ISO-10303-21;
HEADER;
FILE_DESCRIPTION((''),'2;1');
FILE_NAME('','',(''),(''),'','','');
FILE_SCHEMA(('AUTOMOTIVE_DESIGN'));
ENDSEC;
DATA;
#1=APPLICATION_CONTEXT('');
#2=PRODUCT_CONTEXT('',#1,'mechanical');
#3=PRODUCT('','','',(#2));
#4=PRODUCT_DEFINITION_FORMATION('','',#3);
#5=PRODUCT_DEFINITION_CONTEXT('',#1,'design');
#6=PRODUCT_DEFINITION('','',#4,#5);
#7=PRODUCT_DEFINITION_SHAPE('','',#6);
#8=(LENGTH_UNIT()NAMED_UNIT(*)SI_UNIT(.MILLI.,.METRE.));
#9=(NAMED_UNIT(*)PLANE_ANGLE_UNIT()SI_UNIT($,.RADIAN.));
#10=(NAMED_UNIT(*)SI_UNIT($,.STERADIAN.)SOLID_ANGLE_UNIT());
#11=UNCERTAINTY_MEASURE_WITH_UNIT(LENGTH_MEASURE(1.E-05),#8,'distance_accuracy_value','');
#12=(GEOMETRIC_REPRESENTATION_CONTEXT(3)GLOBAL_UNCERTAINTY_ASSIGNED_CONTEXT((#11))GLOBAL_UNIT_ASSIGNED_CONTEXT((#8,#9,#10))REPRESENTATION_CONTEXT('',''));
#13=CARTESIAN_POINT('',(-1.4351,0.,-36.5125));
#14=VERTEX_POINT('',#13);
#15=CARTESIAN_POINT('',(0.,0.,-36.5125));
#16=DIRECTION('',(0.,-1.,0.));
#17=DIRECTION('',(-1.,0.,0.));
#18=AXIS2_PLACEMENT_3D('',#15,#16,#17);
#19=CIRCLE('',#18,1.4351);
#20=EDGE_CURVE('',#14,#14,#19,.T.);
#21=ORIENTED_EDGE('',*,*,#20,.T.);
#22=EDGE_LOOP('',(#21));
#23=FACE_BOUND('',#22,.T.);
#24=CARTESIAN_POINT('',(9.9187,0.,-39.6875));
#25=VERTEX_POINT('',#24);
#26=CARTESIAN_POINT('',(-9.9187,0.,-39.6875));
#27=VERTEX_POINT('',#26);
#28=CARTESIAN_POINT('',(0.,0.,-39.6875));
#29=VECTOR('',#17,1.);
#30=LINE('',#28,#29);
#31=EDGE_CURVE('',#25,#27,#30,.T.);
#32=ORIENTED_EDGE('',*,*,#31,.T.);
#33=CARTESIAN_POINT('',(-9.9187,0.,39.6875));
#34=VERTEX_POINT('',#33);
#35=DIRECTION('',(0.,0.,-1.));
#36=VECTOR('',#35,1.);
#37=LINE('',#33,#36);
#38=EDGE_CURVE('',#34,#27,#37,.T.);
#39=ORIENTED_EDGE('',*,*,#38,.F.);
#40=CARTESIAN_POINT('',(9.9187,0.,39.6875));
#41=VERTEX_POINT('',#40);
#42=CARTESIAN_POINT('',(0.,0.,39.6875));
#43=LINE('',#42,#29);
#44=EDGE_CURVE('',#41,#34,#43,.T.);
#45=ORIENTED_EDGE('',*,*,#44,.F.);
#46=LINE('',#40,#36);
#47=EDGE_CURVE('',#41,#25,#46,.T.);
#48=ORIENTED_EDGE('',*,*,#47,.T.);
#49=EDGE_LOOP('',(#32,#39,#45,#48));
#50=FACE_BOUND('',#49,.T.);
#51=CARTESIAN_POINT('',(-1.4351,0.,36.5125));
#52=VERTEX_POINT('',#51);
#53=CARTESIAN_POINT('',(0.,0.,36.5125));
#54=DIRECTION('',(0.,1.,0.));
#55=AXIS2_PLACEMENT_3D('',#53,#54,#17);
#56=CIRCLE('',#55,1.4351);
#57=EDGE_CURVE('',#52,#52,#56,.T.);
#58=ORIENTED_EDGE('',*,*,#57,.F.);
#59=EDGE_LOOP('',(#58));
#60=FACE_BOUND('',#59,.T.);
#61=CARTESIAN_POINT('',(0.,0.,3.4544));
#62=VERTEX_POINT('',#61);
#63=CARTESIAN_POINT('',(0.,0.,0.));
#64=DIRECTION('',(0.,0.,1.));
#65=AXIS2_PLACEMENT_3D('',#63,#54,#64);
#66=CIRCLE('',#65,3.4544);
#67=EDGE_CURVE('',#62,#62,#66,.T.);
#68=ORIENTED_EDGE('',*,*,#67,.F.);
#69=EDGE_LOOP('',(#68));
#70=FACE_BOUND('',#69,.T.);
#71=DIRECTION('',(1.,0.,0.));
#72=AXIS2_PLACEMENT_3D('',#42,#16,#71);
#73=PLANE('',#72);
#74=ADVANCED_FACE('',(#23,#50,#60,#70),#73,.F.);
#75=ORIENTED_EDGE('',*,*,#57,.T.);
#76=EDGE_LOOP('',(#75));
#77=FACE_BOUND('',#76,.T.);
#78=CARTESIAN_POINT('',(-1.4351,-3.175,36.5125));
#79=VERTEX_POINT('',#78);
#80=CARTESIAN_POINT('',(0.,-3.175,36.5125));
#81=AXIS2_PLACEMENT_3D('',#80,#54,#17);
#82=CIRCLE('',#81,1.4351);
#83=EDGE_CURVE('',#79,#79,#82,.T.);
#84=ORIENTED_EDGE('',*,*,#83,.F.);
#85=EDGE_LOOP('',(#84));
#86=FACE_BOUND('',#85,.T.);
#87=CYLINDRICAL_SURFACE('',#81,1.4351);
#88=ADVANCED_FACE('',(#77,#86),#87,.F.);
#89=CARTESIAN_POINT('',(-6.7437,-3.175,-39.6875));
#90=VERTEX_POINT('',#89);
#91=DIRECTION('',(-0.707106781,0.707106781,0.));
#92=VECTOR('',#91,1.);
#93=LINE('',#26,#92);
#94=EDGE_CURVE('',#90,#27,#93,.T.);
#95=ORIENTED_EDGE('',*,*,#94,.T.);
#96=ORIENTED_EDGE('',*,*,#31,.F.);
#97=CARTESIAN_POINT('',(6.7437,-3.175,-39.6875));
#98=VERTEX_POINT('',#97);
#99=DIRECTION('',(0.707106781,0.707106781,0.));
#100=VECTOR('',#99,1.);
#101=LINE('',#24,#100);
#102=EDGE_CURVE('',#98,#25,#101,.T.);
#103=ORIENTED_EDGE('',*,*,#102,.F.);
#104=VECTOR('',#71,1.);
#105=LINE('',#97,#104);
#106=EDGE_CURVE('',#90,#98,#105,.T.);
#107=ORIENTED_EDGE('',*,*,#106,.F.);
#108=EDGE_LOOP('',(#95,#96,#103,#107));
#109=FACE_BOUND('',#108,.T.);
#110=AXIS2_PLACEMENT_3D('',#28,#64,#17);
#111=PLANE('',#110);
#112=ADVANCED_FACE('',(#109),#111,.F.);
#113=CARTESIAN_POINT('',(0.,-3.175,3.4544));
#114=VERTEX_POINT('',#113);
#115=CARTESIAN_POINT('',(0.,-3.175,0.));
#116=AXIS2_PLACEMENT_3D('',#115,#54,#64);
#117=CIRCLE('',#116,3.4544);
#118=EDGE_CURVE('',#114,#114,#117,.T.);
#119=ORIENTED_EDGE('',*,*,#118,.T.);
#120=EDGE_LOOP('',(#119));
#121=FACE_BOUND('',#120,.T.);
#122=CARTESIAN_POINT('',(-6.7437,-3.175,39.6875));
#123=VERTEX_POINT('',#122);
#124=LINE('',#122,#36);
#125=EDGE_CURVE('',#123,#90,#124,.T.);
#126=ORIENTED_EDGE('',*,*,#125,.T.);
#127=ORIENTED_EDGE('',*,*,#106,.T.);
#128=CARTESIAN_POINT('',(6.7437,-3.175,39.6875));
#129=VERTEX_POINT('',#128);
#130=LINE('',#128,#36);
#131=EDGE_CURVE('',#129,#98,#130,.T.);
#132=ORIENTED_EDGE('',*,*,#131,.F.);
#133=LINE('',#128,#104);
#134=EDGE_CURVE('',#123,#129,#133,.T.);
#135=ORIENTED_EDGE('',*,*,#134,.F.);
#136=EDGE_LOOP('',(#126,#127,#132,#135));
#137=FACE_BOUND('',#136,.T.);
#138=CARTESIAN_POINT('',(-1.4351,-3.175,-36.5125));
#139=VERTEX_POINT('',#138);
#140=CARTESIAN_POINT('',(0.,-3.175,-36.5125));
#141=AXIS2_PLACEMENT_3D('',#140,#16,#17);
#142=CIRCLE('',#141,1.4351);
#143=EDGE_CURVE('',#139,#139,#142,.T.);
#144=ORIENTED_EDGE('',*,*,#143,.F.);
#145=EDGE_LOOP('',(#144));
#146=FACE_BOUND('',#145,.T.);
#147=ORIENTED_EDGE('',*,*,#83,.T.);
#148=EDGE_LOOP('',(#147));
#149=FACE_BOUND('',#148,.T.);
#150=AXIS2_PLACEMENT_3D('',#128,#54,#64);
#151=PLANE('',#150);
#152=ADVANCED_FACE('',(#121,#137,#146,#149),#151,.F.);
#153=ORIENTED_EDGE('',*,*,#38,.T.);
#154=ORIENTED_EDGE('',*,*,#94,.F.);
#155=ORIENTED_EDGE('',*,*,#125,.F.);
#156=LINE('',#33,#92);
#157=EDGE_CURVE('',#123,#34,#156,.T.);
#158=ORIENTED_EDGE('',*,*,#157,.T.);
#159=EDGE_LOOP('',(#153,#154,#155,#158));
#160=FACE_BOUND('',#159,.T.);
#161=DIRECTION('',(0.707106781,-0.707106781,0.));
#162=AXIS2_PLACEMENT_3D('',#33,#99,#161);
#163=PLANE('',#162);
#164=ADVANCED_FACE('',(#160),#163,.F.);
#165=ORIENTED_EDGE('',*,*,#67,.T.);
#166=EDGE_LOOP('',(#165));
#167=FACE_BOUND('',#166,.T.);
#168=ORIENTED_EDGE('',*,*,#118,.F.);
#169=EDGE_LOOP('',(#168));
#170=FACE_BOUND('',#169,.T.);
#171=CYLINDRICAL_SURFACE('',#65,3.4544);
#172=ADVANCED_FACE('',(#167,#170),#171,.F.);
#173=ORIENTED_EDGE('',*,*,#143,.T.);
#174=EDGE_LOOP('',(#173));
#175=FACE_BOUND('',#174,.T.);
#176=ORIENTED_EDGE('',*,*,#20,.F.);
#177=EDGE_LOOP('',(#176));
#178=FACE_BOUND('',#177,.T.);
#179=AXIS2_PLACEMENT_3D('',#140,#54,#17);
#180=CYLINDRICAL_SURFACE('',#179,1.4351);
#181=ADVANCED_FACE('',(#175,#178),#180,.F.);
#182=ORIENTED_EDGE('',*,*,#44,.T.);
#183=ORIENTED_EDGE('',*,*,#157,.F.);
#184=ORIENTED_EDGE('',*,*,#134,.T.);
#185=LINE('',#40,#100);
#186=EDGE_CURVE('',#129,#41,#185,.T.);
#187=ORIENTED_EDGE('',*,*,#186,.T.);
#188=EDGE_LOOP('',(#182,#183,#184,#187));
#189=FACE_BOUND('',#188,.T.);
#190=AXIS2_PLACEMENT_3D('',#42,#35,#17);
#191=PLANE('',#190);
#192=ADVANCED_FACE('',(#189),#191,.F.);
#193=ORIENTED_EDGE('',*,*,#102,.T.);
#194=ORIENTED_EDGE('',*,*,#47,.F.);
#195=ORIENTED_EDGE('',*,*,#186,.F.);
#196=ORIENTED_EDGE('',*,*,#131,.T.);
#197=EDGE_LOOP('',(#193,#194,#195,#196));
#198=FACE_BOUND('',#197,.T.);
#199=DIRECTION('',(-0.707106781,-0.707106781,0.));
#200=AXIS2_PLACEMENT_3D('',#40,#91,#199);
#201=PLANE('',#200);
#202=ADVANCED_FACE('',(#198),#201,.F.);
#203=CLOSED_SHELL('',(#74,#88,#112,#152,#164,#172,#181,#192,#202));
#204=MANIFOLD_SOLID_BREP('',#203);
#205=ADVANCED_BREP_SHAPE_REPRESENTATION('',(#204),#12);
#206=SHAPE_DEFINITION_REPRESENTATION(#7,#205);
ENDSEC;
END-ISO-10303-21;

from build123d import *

# Parameters (mm, degrees)
BOSS_EXTRUDE1_DEPTH      = 39.6875
SKETCH2_R                = 1.4351
CUT_EXTRUDE1_DEPTH       = 42.03119412
F_5_16_24_TAPPED_HOLE1_D = 6.9088


with BuildPart() as part:
    # Sketch1 → Boss-Extrude1 (new body)
    with BuildSketch(Plane.XY):
        Polygon((0, 0), (9.9187, 0), (6.7437, -3.175), (0, -3.175), align=None)
    extrude(amount=BOSS_EXTRUDE1_DEPTH)

    # Mirror1: part across plane


with BuildPart() as part_1:
    add(part.part)
    add(part.part.mirror(Plane(origin=(0, -3.175, 39.6875), x_dir=(0, 0, 1), z_dir=(1, 0, 0))))

    # Sketch2 → Cut-Extrude1 (cut, through all)
    with BuildSketch(Plane(origin=(0, 0, 0), x_dir=(1, 0, 0), z_dir=(0, 1, 0))):
        with Locations(Location((0, -36.5125, 0), (0, 0, 180))):
            Circle(SKETCH2_R)
    extrude(amount=-CUT_EXTRUDE1_DEPTH, mode=Mode.SUBTRACT)

    # Mirror2: part across plane


with BuildPart() as part_2:
    add(part_1.part)
    add(part_1.part.mirror(Plane(origin=(0, 0, 0), x_dir=(1, 0, 0), z_dir=(0, 0, -1))))

    # 5/16-24 Tapped Hole1 (through all)
    with Locations(Plane(origin=(0, 0, 0), x_dir=(-1, 0, 0), z_dir=(0, 1, 0))):
        with Locations((0, 0)):
            Hole(F_5_16_24_TAPPED_HOLE1_D / 2)


solid = part_2.part
